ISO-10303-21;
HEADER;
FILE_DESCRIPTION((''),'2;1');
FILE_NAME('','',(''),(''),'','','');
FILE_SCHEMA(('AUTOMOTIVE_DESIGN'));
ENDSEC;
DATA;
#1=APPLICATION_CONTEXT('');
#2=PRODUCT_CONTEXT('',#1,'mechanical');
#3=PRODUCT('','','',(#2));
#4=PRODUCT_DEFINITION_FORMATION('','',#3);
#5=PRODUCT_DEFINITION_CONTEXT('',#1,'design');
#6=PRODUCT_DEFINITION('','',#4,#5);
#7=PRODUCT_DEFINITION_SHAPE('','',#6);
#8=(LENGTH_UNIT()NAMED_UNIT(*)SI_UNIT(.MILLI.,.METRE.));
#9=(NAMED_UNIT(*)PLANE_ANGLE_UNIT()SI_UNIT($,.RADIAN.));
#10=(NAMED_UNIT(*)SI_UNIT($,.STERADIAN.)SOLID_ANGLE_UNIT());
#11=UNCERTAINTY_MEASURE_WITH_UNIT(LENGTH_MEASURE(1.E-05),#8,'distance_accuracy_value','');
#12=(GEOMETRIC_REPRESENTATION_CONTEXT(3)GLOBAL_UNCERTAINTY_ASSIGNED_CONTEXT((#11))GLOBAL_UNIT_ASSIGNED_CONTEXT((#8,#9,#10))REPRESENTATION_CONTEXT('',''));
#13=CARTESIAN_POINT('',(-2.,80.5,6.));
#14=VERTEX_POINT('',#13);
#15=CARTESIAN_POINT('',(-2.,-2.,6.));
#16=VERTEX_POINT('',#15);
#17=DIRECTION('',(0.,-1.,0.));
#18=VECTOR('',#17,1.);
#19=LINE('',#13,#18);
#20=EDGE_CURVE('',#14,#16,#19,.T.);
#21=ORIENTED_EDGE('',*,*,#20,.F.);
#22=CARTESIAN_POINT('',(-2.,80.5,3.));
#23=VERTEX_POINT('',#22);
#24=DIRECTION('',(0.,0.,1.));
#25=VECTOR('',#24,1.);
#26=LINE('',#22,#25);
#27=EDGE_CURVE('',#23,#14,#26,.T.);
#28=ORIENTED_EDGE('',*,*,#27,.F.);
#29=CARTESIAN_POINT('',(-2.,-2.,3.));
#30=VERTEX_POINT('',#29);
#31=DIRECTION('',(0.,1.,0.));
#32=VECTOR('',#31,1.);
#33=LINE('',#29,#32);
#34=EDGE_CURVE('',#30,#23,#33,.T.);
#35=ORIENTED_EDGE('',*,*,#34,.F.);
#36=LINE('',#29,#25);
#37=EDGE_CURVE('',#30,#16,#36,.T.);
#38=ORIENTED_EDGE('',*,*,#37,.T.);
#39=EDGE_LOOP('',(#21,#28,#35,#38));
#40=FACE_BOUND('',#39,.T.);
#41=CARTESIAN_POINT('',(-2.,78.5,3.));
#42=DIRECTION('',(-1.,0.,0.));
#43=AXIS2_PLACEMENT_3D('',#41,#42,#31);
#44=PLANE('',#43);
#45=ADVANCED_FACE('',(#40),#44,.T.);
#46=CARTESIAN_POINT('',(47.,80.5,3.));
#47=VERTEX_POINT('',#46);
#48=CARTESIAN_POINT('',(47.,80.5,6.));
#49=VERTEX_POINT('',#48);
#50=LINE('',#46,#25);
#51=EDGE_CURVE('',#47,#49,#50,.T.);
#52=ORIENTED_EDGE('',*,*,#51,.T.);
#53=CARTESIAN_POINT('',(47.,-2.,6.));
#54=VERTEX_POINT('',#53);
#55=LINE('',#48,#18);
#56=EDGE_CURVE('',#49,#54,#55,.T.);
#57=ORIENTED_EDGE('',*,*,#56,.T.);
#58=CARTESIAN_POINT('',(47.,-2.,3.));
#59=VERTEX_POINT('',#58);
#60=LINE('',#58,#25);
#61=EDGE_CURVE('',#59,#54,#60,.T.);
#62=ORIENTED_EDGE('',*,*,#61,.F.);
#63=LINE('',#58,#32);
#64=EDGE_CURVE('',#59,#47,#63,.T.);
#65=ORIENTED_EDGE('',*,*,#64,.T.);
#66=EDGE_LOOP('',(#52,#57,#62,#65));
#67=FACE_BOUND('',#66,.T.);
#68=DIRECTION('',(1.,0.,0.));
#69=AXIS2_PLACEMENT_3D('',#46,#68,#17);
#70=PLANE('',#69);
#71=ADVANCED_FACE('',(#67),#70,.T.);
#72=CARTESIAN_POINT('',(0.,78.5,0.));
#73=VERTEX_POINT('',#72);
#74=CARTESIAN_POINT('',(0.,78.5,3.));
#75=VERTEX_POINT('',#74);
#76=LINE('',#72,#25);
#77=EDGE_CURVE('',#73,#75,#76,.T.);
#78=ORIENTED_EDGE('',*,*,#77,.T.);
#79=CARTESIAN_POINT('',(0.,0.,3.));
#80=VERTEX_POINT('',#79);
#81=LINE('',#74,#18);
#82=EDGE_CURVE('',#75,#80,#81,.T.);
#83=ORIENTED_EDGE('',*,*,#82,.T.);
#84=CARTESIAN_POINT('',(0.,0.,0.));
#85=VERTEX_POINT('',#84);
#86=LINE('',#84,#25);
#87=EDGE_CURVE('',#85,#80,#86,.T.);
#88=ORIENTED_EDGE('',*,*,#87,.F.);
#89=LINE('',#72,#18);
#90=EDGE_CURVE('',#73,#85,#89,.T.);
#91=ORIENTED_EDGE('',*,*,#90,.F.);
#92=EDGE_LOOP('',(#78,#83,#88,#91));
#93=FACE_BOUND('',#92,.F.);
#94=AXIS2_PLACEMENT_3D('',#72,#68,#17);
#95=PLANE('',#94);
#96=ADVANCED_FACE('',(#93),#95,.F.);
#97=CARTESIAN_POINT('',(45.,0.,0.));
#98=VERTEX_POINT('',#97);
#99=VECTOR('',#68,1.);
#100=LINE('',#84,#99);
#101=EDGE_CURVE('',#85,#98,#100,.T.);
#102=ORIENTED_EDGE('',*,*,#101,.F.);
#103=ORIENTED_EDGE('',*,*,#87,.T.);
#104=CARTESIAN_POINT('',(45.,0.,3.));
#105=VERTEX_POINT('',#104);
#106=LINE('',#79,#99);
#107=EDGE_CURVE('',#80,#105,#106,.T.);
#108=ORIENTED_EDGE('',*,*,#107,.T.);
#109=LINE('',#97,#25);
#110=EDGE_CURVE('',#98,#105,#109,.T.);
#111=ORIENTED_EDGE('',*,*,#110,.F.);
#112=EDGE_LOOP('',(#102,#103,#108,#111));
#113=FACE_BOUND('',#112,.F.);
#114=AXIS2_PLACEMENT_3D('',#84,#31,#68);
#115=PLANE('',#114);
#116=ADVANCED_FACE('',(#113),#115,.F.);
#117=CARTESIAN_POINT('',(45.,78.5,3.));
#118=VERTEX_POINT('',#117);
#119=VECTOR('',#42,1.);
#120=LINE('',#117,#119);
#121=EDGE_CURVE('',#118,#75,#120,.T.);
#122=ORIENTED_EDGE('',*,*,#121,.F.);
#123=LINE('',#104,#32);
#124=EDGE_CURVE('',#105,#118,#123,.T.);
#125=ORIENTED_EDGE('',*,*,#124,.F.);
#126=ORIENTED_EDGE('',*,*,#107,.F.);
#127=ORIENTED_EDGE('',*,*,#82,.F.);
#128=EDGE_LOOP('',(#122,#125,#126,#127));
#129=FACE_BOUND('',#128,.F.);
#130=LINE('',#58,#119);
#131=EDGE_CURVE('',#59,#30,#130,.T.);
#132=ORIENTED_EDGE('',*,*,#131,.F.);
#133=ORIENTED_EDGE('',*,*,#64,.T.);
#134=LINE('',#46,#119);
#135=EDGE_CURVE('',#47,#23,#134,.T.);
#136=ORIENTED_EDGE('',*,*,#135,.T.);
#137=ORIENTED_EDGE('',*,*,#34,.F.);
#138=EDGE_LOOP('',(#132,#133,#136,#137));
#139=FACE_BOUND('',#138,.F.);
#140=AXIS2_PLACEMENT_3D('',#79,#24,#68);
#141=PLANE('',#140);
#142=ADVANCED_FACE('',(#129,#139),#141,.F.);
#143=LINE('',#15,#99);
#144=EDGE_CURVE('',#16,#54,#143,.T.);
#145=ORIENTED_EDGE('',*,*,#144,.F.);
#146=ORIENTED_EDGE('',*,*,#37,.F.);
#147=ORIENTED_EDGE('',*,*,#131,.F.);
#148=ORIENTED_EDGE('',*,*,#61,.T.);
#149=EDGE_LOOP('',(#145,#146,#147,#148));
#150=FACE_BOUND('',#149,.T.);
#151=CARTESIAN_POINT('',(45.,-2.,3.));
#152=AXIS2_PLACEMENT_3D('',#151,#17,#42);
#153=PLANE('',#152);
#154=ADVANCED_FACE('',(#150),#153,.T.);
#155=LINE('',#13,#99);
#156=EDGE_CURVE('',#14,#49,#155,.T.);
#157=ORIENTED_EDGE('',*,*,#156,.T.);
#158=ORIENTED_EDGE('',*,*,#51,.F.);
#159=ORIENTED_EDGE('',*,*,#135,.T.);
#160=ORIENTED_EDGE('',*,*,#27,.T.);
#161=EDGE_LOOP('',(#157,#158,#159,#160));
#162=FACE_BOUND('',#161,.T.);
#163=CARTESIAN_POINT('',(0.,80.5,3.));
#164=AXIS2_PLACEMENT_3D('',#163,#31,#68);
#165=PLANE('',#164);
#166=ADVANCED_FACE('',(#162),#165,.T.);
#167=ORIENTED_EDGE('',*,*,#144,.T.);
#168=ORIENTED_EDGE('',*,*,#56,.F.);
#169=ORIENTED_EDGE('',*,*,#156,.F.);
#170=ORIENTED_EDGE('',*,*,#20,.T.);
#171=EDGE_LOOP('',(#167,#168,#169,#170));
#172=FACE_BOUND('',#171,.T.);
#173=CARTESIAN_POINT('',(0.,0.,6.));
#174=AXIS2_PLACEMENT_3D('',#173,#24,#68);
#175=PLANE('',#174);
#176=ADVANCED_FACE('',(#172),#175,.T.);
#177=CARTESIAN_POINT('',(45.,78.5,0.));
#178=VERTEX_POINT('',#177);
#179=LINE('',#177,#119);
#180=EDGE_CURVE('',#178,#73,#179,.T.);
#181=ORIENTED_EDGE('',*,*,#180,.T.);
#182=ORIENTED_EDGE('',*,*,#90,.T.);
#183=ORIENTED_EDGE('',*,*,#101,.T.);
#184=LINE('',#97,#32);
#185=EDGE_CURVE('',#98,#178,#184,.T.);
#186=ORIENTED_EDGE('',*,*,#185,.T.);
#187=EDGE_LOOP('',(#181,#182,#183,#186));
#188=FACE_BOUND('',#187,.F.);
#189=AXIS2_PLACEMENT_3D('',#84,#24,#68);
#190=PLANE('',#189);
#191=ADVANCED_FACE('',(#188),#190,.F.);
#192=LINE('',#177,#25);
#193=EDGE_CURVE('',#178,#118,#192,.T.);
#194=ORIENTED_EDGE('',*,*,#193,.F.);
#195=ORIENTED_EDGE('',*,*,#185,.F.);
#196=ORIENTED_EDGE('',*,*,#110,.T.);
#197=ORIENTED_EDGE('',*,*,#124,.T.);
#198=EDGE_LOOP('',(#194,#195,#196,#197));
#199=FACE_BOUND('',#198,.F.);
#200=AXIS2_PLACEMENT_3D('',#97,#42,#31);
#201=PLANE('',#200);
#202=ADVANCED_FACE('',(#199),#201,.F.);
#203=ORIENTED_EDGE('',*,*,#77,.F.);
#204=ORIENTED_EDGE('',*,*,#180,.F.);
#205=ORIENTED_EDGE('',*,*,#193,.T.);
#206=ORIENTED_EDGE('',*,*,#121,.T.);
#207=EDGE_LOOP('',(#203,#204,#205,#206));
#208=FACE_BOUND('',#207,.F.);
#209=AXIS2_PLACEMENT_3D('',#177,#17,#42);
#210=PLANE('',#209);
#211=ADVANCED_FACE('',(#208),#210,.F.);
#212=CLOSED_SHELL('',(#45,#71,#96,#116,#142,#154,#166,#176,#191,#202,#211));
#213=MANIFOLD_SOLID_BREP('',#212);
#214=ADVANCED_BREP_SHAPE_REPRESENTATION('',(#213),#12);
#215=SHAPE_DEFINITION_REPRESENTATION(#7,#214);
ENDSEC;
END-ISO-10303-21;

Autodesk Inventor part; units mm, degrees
ref_plane "YZ Plane" through (0, 0, 0) normal (1, 0, 0) x (0, 1, 0)
ref_plane "XZ Plane" through (0, 0, 0) normal (0, 1, 0) x (-1, 0, 0)
ref_plane "XY Plane" through (0, 0, 0) normal (0, 0, 1) x (1, 0, 0)
sketch "Sketch1" plane through (0, 0, 0) normal (0, 0, 1) x (1, 0, 0)
  line L0 (0, 0) -> (45, 0)
  line L1 (45, 0) -> (45, 78.5)
  line L2 (45, 78.5) -> (0, 78.5)
  line L3 (0, 78.5) -> (0, 0)
  dimension "d0" = 45
  dimension "d1" = 78.5
extrude "Extrusion1" add sketch "Sketch1" along normal blind 3
sketch "Sketch2" plane through (0, 0, 3) normal (0, 0, 1) x (1, 0, 0)
  line L0 (0, 78.5) -> (-2, 78.5)
  line L1 (-2, 78.5) -> (-2, 80.5)
  line L2 (-2, 80.5) -> (0, 80.5)
  line L3 (0, 80.5) -> (0, 78.5)
  line L4 (45, 0) -> (47, 0)
  line L5 (47, 0) -> (47, -2)
  line L6 (47, -2) -> (45, -2)
  line L7 (45, -2) -> (45, 0)
  line L8 (-2, 80.5) -> (47, 80.5)
  line L9 (47, 80.5) -> (47, -2)
  line L10 (47, -2) -> (-2, -2)
  line L11 (-2, -2) -> (-2, 80.5)
  dimension "d4" = 2
  dimension "d5" = 2
  dimension "d6" = 2
  dimension "d7" = 2
extrude "Extrusion2" add sketch "Sketch2" along normal blind 3
properties part number "Transmitter Case Top"
